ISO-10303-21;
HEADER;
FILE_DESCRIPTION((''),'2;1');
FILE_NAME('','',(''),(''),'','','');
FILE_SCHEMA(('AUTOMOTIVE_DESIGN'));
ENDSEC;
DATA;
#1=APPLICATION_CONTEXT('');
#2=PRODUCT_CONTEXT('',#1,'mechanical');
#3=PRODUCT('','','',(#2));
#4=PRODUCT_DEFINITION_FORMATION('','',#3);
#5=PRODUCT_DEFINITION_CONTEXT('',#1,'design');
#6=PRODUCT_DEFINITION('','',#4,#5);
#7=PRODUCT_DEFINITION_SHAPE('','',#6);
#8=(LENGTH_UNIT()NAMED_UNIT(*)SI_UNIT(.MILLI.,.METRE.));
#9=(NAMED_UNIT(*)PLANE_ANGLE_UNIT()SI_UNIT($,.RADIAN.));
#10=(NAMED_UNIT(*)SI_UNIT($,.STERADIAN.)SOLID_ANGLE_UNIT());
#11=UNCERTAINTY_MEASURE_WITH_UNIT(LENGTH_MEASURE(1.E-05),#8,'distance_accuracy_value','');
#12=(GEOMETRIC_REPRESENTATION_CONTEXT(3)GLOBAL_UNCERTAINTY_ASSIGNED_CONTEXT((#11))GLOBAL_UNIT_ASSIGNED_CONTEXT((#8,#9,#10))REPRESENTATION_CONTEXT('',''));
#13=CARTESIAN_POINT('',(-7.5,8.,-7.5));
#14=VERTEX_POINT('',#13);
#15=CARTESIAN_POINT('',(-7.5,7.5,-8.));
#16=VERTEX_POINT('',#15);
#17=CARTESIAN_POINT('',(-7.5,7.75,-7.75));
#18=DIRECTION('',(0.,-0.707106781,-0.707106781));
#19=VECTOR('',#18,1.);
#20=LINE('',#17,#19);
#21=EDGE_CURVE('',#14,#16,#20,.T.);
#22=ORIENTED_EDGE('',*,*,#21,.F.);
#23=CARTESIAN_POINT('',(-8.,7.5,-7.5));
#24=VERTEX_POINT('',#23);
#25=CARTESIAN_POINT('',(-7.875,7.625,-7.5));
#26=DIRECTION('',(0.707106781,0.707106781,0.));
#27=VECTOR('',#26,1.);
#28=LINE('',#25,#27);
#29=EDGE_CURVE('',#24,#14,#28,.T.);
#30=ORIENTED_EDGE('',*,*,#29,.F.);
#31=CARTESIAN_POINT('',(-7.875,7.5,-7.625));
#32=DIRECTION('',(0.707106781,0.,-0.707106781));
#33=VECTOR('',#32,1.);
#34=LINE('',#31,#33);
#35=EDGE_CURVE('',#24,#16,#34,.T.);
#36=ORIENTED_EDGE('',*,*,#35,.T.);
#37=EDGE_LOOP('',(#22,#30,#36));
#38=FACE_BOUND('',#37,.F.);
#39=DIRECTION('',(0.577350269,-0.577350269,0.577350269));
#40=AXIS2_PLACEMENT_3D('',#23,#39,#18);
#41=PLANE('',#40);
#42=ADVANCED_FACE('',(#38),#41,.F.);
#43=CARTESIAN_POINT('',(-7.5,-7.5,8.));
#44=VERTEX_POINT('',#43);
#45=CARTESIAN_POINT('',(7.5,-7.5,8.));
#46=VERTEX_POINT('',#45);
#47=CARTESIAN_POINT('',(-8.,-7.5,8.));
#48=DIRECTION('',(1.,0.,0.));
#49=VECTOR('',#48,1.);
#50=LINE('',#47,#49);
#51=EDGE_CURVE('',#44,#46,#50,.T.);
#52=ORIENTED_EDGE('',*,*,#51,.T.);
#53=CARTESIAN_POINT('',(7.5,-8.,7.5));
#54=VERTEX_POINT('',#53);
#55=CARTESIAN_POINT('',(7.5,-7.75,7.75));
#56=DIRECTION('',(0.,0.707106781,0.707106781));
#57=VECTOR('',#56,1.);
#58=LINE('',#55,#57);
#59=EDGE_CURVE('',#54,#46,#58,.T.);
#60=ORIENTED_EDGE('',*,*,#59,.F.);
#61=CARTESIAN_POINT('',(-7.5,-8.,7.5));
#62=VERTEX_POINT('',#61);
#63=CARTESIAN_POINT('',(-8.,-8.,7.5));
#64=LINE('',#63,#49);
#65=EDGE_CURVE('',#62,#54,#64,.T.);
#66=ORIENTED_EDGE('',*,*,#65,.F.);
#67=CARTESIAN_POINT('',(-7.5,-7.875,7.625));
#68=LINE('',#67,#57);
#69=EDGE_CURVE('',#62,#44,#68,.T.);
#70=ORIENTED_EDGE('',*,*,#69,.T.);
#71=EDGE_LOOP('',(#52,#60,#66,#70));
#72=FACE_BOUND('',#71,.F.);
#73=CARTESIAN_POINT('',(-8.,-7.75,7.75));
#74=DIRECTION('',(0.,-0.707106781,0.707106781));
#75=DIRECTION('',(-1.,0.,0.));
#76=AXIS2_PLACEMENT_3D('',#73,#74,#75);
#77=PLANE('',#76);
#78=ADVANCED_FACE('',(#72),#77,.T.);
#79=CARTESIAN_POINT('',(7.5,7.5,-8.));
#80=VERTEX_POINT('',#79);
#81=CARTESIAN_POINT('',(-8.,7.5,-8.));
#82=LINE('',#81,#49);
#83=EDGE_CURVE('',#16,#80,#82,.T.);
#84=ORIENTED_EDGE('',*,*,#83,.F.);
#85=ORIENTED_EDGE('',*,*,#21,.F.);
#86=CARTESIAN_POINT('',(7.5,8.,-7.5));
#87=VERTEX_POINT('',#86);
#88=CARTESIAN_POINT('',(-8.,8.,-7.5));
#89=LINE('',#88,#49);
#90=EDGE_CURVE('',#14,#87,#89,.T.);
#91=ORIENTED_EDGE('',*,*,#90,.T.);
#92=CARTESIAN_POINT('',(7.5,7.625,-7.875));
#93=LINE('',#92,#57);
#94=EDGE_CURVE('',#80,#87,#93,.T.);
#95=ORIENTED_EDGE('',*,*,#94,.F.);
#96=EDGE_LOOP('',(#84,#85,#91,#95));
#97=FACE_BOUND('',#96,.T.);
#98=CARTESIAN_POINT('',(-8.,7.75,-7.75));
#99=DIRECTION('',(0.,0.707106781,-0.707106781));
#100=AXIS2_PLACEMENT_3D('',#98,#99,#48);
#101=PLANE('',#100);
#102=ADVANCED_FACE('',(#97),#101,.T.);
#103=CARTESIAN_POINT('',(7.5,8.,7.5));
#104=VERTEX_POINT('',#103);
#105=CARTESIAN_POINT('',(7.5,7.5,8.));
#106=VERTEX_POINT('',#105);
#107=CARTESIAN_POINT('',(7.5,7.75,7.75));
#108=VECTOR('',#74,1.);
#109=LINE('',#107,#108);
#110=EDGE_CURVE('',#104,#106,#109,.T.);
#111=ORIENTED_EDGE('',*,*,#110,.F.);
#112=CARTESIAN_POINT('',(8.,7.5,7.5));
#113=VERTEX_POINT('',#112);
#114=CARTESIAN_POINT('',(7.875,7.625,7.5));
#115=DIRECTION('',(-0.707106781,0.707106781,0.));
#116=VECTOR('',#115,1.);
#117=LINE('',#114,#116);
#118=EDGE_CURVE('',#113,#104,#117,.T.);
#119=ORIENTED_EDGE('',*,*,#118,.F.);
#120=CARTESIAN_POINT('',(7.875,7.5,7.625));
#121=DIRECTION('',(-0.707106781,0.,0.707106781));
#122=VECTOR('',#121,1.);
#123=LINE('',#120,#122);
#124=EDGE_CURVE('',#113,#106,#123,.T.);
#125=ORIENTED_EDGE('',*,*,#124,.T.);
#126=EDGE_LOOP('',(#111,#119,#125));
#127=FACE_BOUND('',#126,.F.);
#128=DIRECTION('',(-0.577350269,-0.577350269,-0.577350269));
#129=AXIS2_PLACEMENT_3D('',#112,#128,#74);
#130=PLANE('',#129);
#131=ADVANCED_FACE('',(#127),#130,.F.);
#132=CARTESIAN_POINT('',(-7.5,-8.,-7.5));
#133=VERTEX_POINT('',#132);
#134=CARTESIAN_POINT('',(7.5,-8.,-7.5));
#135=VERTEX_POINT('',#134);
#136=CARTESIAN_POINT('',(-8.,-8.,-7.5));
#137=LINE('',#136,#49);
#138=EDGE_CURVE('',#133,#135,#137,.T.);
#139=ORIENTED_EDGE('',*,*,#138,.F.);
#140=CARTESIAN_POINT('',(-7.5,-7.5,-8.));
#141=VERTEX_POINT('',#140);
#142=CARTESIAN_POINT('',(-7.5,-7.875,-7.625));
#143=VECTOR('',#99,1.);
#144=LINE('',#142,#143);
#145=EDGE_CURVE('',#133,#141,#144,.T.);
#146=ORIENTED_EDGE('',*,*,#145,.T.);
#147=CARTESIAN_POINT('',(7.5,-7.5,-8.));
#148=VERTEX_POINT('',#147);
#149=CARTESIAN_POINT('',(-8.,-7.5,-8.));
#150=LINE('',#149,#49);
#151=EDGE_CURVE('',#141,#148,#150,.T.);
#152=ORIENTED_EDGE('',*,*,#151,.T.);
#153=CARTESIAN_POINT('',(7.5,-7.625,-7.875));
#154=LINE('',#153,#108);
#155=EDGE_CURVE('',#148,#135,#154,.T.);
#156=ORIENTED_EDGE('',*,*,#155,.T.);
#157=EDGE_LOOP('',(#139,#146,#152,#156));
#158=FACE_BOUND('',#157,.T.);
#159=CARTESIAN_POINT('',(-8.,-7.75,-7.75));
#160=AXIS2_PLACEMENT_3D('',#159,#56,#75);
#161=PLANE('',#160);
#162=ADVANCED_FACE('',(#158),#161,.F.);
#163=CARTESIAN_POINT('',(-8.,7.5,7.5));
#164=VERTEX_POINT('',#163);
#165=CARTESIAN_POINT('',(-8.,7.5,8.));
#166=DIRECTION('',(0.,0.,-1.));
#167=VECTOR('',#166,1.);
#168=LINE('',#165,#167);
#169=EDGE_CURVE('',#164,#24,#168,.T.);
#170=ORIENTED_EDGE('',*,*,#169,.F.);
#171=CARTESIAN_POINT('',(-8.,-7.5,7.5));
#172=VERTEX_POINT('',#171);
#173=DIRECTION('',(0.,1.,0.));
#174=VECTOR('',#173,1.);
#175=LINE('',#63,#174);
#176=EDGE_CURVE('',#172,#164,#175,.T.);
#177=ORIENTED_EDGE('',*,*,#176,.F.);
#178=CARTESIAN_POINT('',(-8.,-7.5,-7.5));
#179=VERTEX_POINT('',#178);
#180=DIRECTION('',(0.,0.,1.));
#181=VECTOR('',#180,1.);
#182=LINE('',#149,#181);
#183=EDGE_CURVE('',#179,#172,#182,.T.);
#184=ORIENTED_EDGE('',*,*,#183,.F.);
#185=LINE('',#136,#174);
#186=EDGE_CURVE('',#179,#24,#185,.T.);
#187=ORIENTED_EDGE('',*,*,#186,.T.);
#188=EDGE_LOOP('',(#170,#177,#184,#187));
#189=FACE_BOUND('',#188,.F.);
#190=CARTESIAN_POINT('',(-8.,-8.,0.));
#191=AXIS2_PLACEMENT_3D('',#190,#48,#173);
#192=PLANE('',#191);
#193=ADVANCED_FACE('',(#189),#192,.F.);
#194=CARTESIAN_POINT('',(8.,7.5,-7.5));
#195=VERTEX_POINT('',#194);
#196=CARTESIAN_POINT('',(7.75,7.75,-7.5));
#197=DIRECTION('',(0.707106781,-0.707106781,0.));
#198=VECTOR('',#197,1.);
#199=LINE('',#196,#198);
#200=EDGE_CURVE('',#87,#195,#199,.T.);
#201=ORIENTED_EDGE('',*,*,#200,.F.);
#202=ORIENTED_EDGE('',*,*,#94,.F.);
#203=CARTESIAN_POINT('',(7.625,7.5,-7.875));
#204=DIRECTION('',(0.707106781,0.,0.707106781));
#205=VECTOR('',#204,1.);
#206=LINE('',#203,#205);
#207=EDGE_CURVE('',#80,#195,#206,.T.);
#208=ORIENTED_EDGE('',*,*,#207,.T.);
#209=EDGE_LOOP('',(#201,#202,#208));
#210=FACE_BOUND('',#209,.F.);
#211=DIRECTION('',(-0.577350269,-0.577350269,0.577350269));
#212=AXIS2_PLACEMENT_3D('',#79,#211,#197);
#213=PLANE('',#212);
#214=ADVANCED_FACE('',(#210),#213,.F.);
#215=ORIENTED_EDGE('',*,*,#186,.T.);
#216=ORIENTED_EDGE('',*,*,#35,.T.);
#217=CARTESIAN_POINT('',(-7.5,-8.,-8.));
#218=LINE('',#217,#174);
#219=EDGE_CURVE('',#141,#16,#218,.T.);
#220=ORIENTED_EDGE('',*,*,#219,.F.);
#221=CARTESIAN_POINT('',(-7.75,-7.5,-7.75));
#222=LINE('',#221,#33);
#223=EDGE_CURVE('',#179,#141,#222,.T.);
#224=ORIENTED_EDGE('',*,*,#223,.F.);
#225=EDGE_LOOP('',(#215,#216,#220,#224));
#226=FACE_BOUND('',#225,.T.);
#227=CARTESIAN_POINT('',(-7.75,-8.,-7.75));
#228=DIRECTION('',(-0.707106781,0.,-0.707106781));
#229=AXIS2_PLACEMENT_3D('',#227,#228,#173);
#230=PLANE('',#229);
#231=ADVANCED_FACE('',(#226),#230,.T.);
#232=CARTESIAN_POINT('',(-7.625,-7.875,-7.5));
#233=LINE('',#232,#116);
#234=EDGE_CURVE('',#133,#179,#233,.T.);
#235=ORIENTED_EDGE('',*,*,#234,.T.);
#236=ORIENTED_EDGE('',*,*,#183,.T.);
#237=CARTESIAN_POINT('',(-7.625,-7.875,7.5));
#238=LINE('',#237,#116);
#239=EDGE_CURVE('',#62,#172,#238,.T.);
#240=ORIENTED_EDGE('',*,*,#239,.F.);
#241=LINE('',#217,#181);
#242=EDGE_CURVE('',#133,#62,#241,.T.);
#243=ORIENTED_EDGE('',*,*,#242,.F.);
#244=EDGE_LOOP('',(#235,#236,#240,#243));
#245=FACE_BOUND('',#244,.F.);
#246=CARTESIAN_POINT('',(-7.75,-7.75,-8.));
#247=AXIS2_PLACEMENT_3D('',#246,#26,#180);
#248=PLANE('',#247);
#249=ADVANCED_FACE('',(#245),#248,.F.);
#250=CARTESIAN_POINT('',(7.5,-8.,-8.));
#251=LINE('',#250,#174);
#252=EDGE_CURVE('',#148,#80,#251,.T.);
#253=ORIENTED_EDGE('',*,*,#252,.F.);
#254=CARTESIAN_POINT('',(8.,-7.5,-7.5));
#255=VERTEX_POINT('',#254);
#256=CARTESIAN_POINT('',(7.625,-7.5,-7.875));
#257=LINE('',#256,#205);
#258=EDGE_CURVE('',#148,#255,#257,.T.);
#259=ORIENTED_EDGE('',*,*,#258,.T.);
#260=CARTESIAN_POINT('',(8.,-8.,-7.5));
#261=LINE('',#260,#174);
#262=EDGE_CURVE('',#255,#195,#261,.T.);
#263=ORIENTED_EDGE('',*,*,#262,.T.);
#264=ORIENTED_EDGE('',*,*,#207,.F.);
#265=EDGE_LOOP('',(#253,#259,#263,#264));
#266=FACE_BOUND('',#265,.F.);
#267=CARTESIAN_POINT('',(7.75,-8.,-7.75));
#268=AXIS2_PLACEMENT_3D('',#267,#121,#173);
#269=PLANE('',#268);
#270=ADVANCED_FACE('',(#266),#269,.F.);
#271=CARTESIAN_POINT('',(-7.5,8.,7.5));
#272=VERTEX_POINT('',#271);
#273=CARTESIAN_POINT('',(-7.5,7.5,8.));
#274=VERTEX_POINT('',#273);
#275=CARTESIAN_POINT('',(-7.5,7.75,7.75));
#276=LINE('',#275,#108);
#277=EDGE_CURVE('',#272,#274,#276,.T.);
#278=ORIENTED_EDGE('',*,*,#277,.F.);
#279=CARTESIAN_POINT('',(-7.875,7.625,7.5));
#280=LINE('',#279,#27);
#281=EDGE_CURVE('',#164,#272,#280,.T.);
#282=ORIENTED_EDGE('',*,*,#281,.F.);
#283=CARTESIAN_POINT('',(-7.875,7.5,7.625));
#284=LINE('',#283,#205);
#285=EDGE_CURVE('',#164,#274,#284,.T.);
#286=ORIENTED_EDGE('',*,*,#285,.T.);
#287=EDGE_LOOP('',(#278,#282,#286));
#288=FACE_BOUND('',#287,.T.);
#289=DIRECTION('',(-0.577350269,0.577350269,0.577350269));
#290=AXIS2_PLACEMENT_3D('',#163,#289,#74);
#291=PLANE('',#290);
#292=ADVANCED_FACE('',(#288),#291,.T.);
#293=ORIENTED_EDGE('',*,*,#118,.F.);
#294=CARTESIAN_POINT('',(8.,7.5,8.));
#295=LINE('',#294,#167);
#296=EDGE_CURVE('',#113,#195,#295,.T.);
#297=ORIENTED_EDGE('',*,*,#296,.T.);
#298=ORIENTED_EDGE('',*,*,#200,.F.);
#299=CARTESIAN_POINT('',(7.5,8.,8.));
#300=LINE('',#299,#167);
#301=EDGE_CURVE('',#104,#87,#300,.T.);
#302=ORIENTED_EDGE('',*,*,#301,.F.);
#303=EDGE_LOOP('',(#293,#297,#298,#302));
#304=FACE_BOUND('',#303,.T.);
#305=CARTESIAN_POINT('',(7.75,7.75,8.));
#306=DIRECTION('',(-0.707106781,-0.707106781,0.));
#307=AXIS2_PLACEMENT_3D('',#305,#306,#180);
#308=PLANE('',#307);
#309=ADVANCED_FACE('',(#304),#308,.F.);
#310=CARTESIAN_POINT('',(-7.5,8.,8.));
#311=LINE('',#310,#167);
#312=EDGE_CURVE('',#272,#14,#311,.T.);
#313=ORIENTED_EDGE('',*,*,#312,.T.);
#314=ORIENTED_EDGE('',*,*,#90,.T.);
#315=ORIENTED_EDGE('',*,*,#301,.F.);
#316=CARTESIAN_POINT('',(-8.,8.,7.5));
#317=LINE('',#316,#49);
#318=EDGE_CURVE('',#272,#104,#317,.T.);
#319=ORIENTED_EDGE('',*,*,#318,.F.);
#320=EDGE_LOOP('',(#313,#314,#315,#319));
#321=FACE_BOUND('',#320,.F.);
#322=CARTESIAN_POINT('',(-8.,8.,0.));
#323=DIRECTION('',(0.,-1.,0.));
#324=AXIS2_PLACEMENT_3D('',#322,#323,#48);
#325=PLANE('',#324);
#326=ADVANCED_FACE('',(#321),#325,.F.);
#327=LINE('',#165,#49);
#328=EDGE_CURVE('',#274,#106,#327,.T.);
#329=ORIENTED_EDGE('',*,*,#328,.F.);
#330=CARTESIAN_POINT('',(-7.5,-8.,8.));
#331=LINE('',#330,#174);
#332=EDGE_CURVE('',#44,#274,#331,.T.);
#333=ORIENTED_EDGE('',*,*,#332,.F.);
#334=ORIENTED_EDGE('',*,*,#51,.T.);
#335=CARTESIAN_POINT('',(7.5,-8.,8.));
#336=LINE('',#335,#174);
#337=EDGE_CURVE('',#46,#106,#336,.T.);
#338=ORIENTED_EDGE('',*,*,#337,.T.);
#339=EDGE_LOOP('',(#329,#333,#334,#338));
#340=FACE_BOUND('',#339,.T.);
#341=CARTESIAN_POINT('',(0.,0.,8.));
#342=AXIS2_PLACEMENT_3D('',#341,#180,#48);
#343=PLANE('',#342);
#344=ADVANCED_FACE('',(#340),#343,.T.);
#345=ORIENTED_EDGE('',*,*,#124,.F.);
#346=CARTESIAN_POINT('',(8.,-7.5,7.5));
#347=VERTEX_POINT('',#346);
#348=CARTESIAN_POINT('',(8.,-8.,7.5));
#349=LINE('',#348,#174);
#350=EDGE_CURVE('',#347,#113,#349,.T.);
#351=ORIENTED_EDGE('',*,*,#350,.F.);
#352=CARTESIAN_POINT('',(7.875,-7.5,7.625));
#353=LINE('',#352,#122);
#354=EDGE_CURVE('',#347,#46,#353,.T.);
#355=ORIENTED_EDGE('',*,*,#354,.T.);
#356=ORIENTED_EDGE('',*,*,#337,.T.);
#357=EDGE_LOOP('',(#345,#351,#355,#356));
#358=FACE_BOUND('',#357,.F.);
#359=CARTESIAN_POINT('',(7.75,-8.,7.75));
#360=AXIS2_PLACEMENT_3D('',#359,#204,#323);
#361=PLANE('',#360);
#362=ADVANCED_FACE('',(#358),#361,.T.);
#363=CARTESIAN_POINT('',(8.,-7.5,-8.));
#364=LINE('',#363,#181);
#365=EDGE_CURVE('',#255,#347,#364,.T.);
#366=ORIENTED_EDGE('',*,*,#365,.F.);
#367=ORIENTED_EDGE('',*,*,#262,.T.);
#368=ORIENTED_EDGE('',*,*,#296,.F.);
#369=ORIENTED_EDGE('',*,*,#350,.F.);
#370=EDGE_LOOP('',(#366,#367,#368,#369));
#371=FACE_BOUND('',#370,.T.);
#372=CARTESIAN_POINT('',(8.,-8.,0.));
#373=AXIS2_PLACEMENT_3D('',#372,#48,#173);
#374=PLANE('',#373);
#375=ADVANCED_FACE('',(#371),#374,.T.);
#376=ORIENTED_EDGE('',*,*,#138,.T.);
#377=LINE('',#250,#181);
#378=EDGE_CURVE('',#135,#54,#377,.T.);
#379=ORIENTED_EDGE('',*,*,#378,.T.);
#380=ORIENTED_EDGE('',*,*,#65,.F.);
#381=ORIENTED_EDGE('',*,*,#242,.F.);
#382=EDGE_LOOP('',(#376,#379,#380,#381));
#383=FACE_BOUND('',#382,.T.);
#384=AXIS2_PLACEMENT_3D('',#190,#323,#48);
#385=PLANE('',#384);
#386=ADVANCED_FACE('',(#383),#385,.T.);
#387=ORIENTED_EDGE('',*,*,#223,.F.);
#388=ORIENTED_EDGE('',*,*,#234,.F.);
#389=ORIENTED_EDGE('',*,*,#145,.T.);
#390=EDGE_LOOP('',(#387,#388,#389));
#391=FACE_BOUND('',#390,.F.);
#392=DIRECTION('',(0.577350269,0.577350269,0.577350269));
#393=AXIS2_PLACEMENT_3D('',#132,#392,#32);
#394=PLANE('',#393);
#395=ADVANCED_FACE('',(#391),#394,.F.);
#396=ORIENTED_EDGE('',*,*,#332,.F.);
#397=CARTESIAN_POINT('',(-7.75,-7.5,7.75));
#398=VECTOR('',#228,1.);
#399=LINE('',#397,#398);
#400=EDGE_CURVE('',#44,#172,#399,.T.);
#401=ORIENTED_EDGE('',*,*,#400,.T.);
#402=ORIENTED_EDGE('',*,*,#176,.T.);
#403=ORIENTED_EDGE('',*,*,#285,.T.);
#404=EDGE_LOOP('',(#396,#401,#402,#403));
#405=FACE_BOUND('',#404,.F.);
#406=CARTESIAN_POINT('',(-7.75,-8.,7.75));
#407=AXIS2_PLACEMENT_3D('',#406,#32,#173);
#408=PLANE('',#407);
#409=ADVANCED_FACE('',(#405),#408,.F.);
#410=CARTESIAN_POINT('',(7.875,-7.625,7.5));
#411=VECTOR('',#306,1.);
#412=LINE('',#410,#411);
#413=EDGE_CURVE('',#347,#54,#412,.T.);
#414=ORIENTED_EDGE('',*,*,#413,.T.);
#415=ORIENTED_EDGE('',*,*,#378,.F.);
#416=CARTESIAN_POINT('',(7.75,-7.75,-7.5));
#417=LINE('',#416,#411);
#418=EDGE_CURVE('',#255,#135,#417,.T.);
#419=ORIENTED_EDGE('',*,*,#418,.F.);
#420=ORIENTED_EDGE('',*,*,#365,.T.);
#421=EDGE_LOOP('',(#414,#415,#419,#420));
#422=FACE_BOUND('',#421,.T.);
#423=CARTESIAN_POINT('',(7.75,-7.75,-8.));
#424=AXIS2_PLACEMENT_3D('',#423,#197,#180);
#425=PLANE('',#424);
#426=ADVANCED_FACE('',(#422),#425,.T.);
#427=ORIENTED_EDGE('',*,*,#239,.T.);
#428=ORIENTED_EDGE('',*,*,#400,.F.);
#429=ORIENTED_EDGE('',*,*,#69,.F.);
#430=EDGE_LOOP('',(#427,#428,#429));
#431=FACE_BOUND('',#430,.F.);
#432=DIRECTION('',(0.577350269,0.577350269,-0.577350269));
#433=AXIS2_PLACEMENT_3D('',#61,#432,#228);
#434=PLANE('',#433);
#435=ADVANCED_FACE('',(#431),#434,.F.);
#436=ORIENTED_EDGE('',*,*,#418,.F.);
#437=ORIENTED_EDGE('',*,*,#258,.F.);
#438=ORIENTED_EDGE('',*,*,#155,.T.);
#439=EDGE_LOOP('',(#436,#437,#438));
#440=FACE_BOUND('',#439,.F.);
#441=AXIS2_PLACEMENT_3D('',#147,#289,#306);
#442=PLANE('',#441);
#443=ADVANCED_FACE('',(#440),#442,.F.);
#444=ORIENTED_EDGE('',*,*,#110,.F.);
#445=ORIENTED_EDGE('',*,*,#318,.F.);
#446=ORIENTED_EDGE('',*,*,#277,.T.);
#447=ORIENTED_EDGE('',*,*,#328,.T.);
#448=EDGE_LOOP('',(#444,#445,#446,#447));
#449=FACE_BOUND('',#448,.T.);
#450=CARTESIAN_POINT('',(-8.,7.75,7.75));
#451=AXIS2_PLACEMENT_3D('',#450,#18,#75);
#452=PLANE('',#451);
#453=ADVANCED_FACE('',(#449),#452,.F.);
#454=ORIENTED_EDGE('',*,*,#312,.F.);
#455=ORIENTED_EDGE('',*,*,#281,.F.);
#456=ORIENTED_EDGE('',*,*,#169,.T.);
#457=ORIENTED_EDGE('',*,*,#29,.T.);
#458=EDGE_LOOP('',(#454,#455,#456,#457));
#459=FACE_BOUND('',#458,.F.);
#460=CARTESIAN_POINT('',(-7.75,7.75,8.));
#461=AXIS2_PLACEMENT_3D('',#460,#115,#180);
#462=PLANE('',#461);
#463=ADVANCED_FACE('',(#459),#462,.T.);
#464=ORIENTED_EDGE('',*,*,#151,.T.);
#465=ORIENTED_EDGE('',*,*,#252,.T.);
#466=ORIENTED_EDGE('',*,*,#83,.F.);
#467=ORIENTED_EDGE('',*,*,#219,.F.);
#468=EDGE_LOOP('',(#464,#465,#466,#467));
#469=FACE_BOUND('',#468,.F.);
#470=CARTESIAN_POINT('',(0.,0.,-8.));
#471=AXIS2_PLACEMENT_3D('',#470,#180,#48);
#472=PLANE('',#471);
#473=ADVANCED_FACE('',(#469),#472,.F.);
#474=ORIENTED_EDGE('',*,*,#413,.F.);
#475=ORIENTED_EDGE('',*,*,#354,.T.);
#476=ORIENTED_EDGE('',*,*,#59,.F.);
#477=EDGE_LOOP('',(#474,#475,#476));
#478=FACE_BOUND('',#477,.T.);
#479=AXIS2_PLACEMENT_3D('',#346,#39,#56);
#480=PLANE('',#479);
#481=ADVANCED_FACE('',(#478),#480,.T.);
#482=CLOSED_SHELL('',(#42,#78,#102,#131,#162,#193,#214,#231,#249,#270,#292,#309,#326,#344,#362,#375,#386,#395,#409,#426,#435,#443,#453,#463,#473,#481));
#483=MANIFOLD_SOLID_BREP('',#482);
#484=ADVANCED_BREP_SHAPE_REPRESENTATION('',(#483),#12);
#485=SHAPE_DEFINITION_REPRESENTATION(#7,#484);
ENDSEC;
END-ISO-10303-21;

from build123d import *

# Parameters (mm, degrees)
F0_W     = 16
F0_H     = 16
F1_DEPTH = 8
F2_SIZE  = 0.5


with BuildPart() as f1:
    # F0 (on Top) → F1 (new body, symmetric)
    with BuildSketch(Plane.XY):
        Rectangle(F0_W, F0_H)
    extrude(amount=F1_DEPTH, both=True)

    # F2
    f2_edges = [f1.edges().sort_by_distance(p)[0] for p in [
        (0, 8, 8),
        (8, 8, 0),
        (0, 8, -8),
        (-8, 8, 0),
        (-8, 0, -8),
        (-8, 0, 8),
        (0, -8, 8),
        (-8, -8, 0),
        (8, -8, 0),
        (8, 0, -8),
        (8, 0, 8),
        (0, -8, -8),
    ]]
    chamfer(f2_edges, length=F2_SIZE)


solid = f1.part
